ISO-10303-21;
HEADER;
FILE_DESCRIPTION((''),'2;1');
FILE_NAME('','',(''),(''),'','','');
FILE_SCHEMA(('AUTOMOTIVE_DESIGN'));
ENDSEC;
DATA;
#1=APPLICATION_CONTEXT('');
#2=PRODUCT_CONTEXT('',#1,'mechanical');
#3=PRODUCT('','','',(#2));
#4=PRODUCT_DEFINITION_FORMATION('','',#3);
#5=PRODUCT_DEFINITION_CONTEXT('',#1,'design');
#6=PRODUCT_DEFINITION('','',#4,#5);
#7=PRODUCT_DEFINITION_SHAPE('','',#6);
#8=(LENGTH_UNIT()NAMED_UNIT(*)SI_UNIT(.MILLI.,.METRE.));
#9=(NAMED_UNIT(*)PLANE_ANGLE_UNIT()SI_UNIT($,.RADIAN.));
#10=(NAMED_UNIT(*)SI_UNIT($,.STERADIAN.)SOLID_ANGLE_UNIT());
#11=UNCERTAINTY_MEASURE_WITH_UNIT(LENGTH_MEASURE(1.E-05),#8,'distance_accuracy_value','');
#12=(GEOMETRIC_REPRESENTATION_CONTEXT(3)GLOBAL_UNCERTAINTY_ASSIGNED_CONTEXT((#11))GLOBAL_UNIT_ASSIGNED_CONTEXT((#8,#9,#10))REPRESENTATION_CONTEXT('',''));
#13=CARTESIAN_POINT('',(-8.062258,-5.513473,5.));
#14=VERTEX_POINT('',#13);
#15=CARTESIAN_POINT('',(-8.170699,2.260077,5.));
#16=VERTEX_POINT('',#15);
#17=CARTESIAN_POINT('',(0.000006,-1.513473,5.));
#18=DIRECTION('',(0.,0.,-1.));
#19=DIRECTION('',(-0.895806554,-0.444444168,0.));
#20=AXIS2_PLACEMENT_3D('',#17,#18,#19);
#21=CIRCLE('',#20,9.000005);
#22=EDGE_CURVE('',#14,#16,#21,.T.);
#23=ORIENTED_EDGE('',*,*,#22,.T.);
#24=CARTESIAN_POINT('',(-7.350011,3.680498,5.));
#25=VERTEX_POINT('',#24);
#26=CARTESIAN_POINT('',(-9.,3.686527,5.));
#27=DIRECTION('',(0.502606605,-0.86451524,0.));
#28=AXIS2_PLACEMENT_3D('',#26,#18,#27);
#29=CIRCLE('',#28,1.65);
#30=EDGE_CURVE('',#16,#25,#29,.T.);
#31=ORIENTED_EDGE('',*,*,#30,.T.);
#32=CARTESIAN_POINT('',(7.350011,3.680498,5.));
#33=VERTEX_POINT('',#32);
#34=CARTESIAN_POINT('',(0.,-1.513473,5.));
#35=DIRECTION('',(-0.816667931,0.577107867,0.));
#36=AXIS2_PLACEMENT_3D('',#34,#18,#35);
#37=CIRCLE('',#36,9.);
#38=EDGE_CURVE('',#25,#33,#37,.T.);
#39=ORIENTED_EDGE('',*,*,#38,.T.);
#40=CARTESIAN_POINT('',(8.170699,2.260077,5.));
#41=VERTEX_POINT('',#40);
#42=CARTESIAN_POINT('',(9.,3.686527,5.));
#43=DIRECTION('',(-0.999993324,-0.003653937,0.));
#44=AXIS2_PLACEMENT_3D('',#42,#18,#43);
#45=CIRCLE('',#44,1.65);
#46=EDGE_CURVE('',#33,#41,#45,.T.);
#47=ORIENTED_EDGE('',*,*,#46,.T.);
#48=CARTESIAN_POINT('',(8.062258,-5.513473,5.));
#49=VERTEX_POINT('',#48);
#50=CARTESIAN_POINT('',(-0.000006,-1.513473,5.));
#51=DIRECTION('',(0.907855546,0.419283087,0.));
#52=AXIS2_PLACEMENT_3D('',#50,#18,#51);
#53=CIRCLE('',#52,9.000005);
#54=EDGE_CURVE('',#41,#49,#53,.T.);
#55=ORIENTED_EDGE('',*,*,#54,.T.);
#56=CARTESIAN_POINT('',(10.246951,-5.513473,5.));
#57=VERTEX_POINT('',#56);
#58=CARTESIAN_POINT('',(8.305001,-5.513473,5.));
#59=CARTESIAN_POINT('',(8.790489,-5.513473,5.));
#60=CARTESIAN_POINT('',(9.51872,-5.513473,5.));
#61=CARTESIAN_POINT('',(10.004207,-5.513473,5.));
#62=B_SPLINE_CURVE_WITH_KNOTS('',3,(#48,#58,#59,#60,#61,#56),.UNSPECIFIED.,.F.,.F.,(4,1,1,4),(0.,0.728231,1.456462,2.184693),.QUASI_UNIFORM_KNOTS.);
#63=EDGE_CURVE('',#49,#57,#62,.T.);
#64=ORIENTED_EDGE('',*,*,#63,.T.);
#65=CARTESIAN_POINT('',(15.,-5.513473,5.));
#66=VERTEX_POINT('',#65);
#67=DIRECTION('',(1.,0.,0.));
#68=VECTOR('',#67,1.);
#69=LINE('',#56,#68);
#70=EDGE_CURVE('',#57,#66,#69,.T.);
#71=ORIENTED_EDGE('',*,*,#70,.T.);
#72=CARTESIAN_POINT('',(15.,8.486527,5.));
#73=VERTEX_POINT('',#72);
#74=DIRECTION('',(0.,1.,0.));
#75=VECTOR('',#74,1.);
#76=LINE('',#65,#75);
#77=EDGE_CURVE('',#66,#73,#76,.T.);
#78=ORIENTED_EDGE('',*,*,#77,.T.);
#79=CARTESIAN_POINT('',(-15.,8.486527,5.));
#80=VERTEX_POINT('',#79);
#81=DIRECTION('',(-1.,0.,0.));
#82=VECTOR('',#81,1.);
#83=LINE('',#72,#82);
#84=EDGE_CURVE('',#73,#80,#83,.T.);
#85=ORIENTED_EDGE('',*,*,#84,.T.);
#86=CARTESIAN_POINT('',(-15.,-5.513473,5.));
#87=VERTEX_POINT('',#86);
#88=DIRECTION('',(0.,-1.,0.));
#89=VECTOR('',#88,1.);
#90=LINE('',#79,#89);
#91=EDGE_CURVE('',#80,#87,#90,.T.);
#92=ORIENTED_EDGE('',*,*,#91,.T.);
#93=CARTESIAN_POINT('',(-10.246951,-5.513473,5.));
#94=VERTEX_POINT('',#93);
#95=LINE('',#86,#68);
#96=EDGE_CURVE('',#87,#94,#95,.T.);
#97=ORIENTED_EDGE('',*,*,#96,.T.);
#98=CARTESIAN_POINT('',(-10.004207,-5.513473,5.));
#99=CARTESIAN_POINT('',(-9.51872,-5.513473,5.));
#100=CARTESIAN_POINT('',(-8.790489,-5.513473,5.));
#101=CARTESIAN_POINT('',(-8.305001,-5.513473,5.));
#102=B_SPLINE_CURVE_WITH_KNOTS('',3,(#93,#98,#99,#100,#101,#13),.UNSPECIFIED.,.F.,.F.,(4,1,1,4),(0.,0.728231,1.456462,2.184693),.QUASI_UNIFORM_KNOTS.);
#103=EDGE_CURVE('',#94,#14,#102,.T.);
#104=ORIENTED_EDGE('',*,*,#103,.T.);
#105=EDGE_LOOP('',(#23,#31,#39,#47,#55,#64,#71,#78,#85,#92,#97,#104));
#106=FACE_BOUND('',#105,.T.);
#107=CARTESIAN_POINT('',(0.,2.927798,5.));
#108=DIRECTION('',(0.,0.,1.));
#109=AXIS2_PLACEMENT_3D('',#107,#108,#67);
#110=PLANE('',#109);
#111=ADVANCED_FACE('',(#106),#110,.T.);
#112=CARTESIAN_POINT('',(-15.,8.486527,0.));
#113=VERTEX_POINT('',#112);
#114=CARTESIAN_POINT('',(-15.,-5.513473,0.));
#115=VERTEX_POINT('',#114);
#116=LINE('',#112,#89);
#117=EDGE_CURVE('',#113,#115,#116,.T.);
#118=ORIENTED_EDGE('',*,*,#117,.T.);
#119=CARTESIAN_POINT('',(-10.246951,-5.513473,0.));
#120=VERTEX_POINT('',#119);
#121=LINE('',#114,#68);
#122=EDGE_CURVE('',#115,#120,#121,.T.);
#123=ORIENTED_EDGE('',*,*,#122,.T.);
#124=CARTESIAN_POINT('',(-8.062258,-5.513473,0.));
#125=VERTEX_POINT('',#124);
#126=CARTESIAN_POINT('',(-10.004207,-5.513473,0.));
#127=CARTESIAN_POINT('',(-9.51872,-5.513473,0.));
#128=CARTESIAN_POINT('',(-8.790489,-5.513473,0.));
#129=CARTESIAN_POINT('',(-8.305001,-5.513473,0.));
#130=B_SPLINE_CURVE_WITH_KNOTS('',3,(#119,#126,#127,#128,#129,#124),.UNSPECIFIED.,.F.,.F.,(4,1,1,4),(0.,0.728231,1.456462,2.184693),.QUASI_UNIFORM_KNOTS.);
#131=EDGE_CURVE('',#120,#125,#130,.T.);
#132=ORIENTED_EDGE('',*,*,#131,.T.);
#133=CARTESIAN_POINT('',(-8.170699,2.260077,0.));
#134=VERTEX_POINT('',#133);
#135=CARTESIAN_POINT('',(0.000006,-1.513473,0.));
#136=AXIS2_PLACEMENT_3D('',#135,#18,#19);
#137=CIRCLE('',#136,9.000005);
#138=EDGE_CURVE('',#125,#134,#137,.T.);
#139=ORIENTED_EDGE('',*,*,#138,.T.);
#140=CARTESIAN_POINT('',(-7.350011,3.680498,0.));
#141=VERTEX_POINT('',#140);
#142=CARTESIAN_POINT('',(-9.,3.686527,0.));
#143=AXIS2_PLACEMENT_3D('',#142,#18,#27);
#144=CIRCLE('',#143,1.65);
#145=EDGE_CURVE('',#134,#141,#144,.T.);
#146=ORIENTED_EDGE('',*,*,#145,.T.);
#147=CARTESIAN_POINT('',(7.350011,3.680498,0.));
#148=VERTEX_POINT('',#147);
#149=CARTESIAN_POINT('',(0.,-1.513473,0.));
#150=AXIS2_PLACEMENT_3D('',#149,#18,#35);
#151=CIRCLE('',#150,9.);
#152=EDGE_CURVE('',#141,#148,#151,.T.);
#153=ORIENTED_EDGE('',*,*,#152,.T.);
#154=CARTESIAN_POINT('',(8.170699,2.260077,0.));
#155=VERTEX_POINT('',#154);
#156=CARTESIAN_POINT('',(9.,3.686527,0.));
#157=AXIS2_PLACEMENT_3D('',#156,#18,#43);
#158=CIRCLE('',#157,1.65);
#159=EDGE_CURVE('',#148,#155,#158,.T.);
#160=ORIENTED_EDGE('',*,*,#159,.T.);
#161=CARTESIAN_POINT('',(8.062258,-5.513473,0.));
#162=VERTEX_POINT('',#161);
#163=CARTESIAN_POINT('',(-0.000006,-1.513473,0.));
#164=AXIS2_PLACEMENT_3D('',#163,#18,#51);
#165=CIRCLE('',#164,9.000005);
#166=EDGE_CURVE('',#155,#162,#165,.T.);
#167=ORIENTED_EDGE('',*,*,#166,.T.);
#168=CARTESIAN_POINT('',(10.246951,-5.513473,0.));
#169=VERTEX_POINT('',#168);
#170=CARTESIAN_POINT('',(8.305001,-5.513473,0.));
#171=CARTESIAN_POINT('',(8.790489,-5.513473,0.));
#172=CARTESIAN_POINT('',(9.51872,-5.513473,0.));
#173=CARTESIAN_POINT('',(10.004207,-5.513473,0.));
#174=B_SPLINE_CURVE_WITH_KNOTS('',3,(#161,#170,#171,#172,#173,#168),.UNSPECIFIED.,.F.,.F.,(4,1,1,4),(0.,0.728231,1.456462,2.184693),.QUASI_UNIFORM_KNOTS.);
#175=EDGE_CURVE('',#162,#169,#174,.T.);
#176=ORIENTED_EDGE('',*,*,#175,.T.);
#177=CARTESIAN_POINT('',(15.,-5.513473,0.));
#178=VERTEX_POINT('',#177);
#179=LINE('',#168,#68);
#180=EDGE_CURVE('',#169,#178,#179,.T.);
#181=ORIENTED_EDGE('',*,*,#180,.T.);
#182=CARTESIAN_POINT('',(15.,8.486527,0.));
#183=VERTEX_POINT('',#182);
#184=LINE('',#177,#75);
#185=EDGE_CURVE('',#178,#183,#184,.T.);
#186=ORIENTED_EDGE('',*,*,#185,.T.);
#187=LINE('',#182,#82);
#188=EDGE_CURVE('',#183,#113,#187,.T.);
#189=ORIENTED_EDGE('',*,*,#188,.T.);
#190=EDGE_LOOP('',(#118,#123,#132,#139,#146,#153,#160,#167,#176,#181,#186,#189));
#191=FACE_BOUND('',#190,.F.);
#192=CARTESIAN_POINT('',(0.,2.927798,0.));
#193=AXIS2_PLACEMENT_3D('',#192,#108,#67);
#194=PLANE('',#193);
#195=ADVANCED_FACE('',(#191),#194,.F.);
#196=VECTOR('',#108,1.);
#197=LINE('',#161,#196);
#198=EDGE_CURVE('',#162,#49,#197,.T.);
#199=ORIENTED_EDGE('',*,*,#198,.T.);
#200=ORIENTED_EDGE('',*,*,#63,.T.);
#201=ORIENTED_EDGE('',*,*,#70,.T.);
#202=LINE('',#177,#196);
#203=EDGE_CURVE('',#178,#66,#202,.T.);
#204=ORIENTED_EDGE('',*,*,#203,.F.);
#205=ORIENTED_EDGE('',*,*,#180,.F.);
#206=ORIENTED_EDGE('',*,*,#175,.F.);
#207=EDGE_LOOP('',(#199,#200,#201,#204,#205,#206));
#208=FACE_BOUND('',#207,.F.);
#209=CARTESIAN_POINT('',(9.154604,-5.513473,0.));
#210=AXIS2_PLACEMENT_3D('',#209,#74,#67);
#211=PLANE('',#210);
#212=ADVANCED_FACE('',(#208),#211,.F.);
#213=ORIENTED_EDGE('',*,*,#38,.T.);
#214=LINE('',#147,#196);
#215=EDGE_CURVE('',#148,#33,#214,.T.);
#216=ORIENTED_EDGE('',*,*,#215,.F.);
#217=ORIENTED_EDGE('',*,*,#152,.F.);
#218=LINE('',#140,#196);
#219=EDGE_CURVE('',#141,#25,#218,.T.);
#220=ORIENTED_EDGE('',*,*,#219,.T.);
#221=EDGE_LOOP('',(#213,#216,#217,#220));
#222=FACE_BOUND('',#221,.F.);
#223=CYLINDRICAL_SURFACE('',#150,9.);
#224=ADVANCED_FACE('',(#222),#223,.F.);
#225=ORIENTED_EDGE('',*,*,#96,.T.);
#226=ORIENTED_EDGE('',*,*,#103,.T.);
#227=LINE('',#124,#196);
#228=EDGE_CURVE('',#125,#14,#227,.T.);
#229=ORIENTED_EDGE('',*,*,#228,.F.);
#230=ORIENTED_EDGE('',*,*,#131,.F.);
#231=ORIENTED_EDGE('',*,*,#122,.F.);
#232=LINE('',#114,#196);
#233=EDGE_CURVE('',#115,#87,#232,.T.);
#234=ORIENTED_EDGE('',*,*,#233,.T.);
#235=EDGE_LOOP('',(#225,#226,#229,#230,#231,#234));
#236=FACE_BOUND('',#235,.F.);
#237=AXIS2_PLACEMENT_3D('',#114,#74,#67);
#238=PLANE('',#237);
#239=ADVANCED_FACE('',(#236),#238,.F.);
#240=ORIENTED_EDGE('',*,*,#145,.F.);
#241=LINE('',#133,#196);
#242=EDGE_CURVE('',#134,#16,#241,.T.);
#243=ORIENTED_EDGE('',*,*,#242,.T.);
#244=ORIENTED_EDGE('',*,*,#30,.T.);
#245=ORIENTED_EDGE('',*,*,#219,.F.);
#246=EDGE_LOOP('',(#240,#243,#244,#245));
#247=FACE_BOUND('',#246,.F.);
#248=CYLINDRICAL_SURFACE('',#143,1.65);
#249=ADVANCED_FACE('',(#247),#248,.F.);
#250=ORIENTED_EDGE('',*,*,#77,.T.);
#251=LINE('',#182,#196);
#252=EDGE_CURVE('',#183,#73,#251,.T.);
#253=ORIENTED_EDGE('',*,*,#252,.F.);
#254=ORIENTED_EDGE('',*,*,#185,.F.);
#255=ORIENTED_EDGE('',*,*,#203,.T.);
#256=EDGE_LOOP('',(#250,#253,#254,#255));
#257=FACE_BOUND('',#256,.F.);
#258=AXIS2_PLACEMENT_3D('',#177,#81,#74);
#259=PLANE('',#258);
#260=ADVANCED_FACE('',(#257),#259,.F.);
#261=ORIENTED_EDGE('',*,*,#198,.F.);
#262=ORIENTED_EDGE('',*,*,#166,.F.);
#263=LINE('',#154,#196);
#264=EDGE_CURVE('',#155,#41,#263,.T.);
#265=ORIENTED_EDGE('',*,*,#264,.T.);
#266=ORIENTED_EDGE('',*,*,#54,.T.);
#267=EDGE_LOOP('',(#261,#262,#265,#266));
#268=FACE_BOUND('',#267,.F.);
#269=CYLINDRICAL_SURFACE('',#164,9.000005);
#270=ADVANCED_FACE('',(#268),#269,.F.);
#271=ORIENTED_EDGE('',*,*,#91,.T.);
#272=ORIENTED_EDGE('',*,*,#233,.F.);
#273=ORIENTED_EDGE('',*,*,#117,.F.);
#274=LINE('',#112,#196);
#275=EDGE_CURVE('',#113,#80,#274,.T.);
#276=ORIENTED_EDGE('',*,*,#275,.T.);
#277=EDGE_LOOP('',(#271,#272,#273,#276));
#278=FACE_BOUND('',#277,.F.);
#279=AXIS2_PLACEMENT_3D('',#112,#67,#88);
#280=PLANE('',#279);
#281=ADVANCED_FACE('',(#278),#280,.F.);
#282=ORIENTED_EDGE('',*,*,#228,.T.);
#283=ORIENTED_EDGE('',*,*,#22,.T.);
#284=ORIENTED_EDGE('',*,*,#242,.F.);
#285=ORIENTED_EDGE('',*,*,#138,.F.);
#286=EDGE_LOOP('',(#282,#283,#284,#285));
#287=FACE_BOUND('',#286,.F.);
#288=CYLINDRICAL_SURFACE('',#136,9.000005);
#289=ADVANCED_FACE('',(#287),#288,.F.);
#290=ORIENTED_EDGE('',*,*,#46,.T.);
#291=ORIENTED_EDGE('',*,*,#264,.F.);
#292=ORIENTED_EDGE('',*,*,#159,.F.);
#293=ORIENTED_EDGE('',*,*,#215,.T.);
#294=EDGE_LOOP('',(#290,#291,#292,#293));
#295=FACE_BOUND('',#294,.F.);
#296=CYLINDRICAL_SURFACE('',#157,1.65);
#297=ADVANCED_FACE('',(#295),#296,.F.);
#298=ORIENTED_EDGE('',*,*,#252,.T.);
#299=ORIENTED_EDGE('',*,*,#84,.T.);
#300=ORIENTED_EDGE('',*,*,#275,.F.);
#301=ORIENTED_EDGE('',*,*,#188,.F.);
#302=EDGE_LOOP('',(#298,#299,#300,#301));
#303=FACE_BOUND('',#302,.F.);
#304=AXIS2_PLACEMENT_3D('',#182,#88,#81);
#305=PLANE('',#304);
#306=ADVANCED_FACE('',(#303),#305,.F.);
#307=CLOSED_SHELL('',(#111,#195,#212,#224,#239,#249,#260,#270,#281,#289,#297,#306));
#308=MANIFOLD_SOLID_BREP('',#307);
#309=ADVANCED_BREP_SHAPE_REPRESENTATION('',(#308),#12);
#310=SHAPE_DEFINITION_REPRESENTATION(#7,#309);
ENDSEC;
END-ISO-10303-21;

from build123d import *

# Parameters (mm, degrees)
F1_DEPTH = 5


with BuildPart() as f1:
    # F0 (on Top) → F1 (new body)
    with BuildSketch(Plane.XY):
        with BuildLine():
            Line((15, -5.513473), (15, 8.486527))
            Line((15, 8.486527), (-15, 8.486527))
            Line((-15, 8.486527), (-15, -5.513473))
            Line((-15, -5.513473), (-10.246951, -5.513473))
            add(Edge.make_bspline(
                [(-10.246951, -5.513473), (-10.004207, -5.513473), (-9.51872, -5.513473), (-8.790489, -5.513473), (-8.305001, -5.513473), (-8.062258, -5.513473)],
                knots=[0, 0, 0, 0, 0.728231, 1.456462, 2.184693, 2.184693, 2.184693, 2.184693], degree=3))
            ThreePointArc((-8.062258, -5.513473), (-8.999124, -1.639011), (-8.170699, 2.260077))
            ThreePointArc((-8.170699, 2.260077), (-10.428677, 4.511985), (-7.350011, 3.680498))
            ThreePointArc((-7.350011, 3.680498), (0, 7.486527), (7.350011, 3.680498))
            ThreePointArc((7.350011, 3.680498), (10.428677, 4.511985), (8.170699, 2.260077))
            ThreePointArc((8.170699, 2.260077), (8.999124, -1.639011), (8.062258, -5.513473))
            add(Edge.make_bspline(
                [(8.062258, -5.513473), (8.305001, -5.513473), (8.790489, -5.513473), (9.51872, -5.513473), (10.004207, -5.513473), (10.246951, -5.513473)],
                knots=[0, 0, 0, 0, 0.728231, 1.456462, 2.184693, 2.184693, 2.184693, 2.184693], degree=3))
            Line((10.246951, -5.513473), (15, -5.513473))
        make_face()
    extrude(amount=F1_DEPTH)


solid = f1.part
